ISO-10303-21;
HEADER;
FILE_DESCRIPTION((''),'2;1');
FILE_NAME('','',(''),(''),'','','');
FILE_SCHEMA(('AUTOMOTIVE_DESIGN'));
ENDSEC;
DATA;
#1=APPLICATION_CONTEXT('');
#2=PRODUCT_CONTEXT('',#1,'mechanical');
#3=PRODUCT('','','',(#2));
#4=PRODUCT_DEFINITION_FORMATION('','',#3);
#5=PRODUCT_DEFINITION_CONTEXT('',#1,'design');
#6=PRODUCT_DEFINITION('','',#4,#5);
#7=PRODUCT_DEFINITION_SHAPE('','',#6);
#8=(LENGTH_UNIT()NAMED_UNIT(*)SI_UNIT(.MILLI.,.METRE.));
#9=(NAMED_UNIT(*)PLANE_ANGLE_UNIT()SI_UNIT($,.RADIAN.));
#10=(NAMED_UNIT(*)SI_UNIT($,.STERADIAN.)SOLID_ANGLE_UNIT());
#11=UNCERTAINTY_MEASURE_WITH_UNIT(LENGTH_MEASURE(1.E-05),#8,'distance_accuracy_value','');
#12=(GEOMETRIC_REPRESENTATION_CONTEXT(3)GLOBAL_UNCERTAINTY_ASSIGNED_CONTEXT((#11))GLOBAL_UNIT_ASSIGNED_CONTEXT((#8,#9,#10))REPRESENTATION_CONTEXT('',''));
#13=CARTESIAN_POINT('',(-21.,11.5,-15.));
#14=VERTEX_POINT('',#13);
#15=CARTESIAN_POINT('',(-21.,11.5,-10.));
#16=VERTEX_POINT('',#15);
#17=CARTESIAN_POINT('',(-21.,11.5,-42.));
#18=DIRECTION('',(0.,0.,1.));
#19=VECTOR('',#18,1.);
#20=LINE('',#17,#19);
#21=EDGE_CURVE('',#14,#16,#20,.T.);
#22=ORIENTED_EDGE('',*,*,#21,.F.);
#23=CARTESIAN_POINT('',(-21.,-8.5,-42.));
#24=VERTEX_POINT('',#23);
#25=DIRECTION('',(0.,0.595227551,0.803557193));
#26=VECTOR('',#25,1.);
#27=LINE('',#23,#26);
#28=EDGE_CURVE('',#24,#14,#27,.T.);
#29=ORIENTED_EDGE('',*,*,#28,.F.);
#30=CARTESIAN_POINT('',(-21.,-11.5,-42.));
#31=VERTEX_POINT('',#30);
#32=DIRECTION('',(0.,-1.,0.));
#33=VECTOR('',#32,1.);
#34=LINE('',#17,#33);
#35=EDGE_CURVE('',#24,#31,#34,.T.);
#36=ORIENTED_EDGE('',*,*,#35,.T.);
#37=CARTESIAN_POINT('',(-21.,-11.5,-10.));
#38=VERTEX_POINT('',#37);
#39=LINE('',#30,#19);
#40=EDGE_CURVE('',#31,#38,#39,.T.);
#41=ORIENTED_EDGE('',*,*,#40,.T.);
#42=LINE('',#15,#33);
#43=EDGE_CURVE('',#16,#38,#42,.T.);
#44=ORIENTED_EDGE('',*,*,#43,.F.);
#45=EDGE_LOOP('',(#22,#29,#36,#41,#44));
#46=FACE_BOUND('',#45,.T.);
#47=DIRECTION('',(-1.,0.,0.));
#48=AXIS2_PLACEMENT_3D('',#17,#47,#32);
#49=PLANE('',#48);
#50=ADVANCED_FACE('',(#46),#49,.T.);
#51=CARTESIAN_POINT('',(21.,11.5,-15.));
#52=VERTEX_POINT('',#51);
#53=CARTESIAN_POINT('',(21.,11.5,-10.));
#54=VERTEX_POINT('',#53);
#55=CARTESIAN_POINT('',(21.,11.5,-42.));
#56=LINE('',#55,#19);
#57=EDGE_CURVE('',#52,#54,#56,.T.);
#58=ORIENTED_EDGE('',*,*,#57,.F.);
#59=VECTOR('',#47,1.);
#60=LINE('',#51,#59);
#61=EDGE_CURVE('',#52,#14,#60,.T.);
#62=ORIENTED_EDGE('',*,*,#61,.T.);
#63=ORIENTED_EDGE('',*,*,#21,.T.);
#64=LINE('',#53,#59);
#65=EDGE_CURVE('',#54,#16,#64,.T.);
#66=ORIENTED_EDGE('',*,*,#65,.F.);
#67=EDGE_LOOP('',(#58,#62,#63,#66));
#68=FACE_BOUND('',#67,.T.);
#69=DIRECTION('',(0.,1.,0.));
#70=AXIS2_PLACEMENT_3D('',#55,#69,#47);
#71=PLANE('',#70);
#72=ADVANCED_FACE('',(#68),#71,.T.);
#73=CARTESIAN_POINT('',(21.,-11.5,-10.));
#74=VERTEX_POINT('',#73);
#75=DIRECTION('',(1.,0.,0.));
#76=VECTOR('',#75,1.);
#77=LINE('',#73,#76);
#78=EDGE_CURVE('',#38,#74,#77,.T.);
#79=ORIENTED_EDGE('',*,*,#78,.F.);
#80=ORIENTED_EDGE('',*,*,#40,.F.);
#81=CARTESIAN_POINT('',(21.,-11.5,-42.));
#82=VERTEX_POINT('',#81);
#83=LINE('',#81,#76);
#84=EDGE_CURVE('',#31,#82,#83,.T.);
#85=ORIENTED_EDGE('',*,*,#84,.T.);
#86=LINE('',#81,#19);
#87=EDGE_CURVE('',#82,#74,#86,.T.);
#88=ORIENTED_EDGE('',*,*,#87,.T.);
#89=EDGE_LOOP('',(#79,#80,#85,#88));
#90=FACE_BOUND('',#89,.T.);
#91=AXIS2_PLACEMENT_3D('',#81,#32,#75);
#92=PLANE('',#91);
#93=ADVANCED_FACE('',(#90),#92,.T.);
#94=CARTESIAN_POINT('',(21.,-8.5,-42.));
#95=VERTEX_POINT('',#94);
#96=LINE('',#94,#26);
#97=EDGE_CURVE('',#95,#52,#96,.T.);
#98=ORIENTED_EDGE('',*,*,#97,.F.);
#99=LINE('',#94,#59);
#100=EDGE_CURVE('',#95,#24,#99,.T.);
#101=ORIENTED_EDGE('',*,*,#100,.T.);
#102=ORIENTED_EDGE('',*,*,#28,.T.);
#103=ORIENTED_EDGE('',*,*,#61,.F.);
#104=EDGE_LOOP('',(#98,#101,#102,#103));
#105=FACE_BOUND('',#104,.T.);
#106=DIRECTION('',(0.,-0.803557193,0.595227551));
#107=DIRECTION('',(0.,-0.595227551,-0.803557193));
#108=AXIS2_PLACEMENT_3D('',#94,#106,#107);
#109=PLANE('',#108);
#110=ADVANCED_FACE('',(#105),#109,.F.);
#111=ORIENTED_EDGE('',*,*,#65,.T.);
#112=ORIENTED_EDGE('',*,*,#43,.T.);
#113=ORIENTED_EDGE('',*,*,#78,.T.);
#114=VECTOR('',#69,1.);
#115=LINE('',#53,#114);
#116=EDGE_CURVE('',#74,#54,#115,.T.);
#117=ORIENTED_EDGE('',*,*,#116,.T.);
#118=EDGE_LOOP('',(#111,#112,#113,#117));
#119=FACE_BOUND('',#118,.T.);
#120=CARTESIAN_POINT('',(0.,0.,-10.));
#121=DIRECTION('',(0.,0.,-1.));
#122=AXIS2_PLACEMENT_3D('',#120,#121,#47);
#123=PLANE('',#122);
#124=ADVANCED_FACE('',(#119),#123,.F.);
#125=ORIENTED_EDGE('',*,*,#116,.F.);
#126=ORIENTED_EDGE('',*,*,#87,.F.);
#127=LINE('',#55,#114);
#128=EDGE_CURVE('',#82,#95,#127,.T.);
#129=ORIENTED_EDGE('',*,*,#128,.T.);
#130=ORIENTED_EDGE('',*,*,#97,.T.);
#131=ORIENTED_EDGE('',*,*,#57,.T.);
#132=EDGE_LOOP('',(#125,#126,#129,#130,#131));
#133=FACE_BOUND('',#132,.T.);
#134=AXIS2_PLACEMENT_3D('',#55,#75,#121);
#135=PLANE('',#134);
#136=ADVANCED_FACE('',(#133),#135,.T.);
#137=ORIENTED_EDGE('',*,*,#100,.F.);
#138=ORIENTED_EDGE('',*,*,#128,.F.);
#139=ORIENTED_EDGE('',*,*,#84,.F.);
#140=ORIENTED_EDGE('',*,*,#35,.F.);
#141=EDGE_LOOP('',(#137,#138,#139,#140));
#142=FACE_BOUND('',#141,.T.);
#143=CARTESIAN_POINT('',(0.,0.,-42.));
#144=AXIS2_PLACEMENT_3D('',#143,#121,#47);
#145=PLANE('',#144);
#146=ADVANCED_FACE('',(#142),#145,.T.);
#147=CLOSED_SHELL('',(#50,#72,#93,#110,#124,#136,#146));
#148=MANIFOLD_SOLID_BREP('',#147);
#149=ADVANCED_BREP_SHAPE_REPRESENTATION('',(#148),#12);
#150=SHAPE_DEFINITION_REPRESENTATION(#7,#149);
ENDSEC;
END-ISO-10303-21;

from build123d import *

# Parameters (mm, degrees)
SKETCH5_W           = 42
SKETCH5_H           = 23
BOSS_EXTRUDE2_DEPTH = 32
CUT_EXTRUDE3_DEPTH  = 42


with BuildPart() as part:
    # Sketch5 → Boss-Extrude2 (new body)
    with BuildSketch(Plane.XY.offset(-10)):
        Rectangle(SKETCH5_W, SKETCH5_H)
    extrude(amount=-BOSS_EXTRUDE2_DEPTH)

    # Sketch6 → Cut-Extrude3 (cut)
    with BuildSketch(Plane.ZY.offset(21)):
        Polygon((-42, 11.5), (-42, -8.5), (-15, 11.5), align=None)
    extrude(amount=-CUT_EXTRUDE3_DEPTH, mode=Mode.SUBTRACT)


solid = part.part
